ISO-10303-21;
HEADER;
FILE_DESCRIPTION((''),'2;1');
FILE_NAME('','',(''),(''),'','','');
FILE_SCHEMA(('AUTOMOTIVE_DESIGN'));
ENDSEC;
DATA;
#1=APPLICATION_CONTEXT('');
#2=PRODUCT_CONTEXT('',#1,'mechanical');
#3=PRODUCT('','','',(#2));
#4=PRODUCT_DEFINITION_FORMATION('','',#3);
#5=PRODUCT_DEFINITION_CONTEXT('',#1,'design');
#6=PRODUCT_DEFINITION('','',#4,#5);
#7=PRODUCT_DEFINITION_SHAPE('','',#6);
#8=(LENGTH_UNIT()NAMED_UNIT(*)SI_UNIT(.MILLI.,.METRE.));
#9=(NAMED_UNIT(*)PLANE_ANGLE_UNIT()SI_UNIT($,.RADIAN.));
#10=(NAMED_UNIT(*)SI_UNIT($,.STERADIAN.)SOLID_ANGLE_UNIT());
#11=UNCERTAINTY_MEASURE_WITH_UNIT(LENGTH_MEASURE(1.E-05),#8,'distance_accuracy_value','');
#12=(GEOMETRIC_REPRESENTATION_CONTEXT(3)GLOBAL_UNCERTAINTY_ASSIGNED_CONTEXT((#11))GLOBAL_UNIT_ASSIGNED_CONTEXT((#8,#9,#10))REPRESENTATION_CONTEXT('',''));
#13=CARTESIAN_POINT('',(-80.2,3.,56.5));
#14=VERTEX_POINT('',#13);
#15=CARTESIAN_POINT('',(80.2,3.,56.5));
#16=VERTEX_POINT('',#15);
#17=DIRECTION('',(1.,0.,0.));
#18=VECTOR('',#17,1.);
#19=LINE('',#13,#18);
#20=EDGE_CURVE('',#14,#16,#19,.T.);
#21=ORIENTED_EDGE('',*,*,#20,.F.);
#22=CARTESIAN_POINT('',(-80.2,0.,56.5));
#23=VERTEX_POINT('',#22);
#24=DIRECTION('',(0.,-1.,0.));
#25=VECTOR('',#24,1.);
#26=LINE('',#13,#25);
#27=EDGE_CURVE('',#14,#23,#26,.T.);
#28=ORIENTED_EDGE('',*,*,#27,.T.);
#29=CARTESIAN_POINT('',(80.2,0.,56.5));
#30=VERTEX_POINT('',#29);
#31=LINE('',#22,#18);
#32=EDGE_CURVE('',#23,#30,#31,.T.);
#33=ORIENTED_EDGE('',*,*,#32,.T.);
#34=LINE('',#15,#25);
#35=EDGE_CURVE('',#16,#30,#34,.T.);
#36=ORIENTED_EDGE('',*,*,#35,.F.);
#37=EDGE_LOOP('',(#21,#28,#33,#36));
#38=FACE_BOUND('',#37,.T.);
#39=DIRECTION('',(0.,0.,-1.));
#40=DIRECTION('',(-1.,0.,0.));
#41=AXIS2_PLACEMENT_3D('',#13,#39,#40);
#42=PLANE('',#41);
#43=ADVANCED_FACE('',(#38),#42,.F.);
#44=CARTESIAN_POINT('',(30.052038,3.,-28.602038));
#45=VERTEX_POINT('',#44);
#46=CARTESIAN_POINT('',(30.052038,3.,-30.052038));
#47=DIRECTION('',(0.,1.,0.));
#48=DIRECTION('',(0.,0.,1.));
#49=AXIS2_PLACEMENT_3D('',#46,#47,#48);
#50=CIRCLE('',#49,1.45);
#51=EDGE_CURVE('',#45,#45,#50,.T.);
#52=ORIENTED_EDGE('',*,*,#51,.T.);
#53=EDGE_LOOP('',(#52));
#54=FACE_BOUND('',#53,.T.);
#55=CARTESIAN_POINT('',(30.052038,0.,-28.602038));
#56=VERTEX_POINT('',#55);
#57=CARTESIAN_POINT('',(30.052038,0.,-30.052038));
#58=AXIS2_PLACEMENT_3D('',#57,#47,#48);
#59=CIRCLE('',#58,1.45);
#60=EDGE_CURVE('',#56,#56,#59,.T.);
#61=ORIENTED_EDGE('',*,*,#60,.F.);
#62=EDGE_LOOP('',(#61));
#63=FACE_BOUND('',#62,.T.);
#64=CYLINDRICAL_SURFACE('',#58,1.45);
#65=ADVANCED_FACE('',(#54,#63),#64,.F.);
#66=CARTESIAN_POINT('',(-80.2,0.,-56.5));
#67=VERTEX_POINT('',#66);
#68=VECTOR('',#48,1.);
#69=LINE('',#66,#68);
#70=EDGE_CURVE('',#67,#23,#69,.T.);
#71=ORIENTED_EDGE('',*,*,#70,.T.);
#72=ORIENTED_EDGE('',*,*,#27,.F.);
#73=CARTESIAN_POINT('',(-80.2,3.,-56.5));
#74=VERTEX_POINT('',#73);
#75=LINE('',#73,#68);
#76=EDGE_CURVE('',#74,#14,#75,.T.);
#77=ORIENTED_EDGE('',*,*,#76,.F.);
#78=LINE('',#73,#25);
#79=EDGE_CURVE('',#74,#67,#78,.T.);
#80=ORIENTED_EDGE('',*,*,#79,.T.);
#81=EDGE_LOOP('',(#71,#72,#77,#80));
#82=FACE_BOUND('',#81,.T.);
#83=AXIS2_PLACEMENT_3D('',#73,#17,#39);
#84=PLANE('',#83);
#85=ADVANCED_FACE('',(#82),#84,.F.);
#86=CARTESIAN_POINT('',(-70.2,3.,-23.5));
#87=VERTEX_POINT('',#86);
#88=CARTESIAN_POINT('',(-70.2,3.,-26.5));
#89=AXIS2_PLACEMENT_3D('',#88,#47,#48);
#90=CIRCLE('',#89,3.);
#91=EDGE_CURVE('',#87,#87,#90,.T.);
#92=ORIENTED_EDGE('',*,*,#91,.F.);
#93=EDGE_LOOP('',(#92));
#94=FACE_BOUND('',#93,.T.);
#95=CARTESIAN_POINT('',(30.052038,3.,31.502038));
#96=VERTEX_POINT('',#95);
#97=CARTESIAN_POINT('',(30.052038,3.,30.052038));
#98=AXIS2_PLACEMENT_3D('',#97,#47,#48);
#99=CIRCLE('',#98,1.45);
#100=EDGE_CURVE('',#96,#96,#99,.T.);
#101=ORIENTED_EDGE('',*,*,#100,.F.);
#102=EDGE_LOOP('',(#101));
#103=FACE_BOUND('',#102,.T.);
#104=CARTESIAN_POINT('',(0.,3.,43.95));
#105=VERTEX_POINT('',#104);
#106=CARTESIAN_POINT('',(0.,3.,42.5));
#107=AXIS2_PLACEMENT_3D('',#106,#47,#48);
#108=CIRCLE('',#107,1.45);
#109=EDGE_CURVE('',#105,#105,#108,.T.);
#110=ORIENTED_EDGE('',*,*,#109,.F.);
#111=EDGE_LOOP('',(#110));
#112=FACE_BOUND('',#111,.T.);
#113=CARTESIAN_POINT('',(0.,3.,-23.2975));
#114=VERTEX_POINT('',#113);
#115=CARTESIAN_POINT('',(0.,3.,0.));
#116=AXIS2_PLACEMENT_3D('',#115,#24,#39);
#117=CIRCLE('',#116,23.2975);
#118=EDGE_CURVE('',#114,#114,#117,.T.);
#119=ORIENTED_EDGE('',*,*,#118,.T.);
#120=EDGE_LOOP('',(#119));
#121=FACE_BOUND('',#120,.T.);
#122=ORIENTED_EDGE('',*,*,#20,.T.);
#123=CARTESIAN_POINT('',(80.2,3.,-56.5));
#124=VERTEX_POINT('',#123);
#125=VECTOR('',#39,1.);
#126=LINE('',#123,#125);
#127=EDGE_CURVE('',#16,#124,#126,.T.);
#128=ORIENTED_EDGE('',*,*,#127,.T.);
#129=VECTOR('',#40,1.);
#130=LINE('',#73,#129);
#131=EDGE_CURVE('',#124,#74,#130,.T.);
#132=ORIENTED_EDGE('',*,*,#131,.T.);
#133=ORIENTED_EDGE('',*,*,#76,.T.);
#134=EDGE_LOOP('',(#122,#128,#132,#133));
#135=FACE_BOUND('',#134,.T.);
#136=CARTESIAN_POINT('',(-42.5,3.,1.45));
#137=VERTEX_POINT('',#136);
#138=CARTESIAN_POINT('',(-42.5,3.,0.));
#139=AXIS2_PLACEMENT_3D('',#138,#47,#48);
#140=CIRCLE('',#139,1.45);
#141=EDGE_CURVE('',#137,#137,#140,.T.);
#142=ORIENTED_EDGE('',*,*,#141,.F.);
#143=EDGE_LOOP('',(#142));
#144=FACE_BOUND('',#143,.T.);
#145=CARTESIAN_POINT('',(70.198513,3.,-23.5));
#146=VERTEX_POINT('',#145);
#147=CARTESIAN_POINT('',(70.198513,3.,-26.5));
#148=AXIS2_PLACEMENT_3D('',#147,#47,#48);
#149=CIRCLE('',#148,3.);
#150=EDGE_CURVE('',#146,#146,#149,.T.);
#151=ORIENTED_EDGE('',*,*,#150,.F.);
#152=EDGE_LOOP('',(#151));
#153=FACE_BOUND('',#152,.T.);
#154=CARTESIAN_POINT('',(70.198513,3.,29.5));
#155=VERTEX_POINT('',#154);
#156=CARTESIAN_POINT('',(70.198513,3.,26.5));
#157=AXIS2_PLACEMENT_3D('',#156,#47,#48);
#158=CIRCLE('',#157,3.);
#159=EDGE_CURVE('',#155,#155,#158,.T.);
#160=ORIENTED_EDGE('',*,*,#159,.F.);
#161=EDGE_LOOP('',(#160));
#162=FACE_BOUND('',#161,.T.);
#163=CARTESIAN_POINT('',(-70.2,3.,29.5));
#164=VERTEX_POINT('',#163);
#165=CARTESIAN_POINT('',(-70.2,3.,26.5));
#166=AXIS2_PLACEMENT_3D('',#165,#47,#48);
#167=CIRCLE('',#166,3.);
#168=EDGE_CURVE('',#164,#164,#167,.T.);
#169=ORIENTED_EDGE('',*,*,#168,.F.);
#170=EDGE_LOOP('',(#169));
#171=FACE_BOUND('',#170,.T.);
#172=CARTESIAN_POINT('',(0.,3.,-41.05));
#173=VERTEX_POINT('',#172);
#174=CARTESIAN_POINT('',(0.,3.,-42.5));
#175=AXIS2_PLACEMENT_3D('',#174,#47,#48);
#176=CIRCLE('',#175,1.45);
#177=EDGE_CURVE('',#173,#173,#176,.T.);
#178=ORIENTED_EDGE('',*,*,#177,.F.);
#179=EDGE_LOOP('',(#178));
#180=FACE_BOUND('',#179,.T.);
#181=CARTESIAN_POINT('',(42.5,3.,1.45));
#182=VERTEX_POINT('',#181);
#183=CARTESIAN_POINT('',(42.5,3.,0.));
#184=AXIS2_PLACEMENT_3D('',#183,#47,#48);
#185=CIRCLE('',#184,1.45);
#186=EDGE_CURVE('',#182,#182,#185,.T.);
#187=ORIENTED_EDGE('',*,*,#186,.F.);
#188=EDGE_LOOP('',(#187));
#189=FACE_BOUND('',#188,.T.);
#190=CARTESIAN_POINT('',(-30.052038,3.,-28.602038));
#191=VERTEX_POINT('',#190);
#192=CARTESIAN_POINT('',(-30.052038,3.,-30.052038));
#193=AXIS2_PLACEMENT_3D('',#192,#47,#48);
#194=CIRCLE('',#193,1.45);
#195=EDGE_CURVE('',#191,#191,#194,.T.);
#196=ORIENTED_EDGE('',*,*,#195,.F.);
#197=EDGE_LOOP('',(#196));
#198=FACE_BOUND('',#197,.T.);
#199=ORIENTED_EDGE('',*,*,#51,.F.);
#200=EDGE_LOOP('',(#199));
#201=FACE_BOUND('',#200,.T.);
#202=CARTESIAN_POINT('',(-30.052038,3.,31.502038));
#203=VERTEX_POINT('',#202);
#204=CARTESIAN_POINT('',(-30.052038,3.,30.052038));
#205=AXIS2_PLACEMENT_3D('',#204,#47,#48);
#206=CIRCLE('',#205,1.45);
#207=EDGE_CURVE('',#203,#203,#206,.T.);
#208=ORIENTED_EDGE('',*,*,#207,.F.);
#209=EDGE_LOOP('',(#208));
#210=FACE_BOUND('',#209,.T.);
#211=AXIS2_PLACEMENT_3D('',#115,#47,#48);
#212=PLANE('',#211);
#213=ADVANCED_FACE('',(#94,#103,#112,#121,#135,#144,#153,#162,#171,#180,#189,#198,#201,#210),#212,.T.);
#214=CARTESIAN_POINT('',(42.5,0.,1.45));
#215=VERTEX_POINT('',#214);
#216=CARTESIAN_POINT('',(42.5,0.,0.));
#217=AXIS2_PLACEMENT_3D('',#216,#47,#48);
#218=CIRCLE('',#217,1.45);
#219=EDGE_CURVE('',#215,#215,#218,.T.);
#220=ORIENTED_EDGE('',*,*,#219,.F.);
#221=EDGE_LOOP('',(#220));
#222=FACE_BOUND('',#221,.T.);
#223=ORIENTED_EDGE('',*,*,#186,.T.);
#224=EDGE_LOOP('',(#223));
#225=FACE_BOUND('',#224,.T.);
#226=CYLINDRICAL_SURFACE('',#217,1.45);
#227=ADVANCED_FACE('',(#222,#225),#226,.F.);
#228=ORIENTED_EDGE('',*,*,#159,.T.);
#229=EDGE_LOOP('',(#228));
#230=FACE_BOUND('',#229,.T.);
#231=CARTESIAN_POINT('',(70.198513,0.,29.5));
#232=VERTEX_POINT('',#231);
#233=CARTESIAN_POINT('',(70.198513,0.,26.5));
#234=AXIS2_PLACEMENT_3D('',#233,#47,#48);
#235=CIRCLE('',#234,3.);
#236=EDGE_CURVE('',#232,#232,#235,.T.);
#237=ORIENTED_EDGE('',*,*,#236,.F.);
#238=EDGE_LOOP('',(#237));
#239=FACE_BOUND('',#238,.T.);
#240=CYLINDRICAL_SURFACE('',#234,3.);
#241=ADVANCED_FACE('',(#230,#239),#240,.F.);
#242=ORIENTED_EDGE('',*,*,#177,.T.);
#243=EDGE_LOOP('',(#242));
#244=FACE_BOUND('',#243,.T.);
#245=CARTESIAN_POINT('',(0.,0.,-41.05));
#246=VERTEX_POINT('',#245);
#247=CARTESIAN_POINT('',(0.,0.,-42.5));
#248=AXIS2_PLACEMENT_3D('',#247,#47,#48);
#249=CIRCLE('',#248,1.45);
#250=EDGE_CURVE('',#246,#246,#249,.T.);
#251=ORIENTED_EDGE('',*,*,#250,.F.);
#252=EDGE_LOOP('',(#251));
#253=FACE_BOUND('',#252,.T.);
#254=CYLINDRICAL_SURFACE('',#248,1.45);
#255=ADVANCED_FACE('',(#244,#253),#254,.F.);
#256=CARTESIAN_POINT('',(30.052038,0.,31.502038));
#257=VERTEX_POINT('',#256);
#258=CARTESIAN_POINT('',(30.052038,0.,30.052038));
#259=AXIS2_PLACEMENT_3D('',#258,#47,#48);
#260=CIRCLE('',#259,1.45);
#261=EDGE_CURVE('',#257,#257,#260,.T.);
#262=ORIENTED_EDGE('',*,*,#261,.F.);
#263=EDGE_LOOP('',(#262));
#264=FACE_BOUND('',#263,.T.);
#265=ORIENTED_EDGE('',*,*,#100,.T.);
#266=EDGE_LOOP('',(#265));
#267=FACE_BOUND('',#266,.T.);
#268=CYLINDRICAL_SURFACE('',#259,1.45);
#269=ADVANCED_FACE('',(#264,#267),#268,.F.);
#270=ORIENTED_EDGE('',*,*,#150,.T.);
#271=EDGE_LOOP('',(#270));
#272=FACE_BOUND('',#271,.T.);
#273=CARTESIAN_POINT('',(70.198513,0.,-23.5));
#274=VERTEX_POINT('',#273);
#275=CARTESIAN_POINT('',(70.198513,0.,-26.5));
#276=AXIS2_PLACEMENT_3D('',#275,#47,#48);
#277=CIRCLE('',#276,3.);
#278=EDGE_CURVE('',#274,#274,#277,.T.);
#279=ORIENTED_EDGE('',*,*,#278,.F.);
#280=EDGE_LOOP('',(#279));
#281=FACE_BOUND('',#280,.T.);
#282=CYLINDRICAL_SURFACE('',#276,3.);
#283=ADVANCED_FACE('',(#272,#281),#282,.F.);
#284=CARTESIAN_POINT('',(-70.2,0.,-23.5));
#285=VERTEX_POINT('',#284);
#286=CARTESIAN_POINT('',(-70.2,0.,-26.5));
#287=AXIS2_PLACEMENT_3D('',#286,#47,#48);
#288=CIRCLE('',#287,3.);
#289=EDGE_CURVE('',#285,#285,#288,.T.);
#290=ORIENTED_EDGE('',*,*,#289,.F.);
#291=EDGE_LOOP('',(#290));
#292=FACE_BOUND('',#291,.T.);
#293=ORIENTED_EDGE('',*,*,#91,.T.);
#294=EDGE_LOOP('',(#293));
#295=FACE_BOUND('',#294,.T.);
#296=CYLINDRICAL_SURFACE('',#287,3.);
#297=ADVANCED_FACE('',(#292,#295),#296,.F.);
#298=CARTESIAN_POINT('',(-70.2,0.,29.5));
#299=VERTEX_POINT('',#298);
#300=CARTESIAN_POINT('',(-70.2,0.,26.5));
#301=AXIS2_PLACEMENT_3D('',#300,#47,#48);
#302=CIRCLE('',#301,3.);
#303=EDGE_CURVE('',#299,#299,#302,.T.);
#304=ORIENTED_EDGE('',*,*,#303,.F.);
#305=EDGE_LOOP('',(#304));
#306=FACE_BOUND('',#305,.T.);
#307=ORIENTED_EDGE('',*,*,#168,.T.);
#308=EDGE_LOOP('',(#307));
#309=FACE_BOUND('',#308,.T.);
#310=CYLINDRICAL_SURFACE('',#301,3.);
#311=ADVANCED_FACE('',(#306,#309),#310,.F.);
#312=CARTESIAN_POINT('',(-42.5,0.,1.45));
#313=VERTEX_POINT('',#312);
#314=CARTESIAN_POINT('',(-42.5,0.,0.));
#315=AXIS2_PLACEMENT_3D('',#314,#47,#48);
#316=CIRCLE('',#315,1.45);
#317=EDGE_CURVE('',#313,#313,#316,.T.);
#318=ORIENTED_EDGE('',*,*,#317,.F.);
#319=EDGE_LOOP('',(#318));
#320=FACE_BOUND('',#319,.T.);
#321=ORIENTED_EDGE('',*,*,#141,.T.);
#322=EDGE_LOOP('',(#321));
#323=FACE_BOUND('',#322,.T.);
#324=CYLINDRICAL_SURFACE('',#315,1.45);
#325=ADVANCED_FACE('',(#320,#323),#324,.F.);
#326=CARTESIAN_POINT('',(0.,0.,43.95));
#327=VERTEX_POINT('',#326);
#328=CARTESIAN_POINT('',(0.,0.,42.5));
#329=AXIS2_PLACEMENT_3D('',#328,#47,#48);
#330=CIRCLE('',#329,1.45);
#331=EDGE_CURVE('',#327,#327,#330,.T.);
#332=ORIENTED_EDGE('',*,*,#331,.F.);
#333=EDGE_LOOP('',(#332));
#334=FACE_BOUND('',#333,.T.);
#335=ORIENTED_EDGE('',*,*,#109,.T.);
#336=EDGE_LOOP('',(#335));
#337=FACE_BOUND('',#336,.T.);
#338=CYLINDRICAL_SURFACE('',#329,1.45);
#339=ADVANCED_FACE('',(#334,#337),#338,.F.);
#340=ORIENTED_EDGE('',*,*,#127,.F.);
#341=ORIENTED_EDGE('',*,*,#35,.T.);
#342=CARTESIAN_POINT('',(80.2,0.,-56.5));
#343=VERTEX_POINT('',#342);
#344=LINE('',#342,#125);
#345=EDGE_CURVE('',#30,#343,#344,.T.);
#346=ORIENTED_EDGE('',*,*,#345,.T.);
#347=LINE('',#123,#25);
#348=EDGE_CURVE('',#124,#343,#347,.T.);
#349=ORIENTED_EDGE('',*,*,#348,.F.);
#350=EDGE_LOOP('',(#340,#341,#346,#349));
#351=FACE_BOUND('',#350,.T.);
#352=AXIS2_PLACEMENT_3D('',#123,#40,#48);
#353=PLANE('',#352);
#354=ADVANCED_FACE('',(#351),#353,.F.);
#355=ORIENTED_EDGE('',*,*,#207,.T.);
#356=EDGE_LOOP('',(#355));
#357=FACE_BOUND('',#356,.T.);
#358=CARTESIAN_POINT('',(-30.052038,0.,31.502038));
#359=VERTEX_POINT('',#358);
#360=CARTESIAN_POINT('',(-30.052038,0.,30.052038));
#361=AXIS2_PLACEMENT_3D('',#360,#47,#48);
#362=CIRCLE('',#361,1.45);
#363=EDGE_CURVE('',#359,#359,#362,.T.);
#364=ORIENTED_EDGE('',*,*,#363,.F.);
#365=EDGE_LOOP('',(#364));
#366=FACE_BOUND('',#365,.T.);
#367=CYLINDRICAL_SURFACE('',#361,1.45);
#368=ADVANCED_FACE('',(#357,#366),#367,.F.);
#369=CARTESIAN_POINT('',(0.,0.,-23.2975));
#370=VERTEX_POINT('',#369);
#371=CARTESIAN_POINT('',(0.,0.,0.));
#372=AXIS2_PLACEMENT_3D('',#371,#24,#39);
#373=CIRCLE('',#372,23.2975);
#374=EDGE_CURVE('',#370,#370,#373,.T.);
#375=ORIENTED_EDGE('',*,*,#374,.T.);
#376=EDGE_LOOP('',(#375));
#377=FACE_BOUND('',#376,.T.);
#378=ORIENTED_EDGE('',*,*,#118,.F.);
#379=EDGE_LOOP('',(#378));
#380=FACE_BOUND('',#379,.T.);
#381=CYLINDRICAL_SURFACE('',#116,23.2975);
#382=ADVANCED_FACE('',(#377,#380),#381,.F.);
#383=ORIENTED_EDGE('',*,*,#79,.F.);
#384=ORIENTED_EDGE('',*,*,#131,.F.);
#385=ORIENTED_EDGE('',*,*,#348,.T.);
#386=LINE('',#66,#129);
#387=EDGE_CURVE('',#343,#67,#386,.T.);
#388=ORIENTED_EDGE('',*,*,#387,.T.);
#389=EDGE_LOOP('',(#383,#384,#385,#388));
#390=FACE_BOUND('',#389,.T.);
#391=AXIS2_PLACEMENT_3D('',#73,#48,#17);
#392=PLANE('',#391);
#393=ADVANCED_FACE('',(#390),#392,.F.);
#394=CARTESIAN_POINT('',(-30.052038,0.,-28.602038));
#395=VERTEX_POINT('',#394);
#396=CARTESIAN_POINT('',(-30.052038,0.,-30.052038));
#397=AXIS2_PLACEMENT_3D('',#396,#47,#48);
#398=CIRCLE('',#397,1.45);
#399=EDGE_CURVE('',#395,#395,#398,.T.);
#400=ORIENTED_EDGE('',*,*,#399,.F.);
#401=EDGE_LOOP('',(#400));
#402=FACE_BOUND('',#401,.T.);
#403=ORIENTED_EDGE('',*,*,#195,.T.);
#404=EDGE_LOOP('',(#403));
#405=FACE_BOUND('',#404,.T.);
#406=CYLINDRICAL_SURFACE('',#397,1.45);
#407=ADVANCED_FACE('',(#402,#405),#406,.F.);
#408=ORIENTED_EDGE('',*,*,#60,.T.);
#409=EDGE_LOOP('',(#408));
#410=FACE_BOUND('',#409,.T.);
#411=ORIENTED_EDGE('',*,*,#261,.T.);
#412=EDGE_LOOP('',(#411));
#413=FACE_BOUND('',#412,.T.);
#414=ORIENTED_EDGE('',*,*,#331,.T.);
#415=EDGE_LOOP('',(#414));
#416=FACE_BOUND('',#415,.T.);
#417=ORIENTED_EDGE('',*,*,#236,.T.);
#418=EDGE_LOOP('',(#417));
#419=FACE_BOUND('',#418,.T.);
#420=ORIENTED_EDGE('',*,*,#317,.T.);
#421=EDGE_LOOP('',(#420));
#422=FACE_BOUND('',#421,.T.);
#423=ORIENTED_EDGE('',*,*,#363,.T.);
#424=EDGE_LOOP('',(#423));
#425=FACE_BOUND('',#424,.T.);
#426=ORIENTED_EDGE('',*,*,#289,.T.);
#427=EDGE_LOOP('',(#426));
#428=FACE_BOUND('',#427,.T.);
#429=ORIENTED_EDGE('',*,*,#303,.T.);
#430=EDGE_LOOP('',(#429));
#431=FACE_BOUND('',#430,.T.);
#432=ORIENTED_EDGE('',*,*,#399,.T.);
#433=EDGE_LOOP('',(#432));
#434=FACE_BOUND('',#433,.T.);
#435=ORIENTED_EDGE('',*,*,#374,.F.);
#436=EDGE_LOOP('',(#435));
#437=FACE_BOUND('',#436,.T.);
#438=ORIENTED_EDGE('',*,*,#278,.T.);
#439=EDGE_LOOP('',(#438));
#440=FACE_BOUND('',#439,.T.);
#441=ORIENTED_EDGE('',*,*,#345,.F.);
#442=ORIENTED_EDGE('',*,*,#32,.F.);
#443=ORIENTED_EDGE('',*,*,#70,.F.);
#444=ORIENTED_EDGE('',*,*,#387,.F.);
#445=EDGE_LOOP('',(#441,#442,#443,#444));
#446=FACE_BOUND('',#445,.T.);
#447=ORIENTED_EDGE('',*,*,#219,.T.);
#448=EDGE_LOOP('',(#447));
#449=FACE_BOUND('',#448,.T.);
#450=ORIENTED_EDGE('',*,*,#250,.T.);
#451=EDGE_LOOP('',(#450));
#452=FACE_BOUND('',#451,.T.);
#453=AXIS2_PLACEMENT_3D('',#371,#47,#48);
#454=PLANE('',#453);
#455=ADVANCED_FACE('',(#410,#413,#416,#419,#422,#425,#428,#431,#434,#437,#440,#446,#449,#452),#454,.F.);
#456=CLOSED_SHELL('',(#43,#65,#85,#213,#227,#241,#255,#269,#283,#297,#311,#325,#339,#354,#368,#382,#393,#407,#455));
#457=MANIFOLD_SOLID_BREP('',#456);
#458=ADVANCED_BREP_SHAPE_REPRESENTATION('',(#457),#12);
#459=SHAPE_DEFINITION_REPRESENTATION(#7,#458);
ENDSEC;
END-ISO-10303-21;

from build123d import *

# Parameters (mm, degrees)
SKETCH_1_W          = 160.4
SKETCH_1_H          = 113
EXTRUDE_1_DEPTH     = 3
SKETCH_2_R          = 1.45
CUT_EXTRUDE_1_DEPTH = 3
SKETCH_3_R          = 23.297499696
CUT_EXTRUDE_2_DEPTH = 3
SKETCH_4_R          = 3
CUT_EXTRUDE_3_DEPTH = 3


with BuildPart() as part:
    # 草图1 → 凸台-拉伸1 (new body)
    with BuildSketch(Plane(origin=(0, 0, 0), x_dir=(1, 0, 0), z_dir=(0, 1, 0))):
        Rectangle(SKETCH_1_W, SKETCH_1_H)
    extrude(amount=EXTRUDE_1_DEPTH)

    # 草图2 → 切除-拉伸1 (cut)
    with BuildSketch(Plane(origin=(0, 3, 0), x_dir=(1, 0, 0), z_dir=(0, 1, 0))):
        with Locations(Location((0, -42.5, 0), (0, 0, 270))):
            Circle(SKETCH_2_R)
        with Locations(Location((-30.0520382, -30.0520382, 0), (0, 0, 270))):
            Circle(SKETCH_2_R)
        with Locations(Location((-42.5, 0, 0), (0, 0, 270))):
            Circle(SKETCH_2_R)
        with Locations(Location((-30.0520382, 30.0520382, 0), (0, 0, 270))):
            Circle(SKETCH_2_R)
        with Locations(Location((0, 42.5, 0), (0, 0, 270))):
            Circle(SKETCH_2_R)
        with Locations(Location((30.0520382, 30.0520382, 0), (0, 0, 270))):
            Circle(SKETCH_2_R)
        with Locations(Location((42.5, 0, 0), (0, 0, 270))):
            Circle(SKETCH_2_R)
        with Locations(Location((30.0520382, -30.0520382, 0), (0, 0, 270))):
            Circle(SKETCH_2_R)
    extrude(amount=-CUT_EXTRUDE_1_DEPTH, mode=Mode.SUBTRACT)

    # 草图3 → 切除-拉伸2 (cut)
    with BuildSketch(Plane.XZ):
        with Locations(Location((0, 0, 0), (0, 0, 270))):
            Circle(SKETCH_3_R)
    extrude(amount=-CUT_EXTRUDE_2_DEPTH, mode=Mode.SUBTRACT)

    # 草图4 → 切除-拉伸3 (cut)
    with BuildSketch(Plane(origin=(0, 3, 0), x_dir=(1, 0, 0), z_dir=(0, 1, 0))):
        with Locations(Location((70.198513237, -26.5, 0), (0, 0, 270))):
            Circle(SKETCH_4_R)
        with Locations(Location((-70.2, -26.5, 0), (0, 0, 270))):
            Circle(SKETCH_4_R)
        with Locations(Location((70.198513237, 26.5, 0), (0, 0, 270))):
            Circle(SKETCH_4_R)
        with Locations(Location((-70.2, 26.5, 0), (0, 0, 270))):
            Circle(SKETCH_4_R)
    extrude(amount=-CUT_EXTRUDE_3_DEPTH, mode=Mode.SUBTRACT)


solid = part.part
